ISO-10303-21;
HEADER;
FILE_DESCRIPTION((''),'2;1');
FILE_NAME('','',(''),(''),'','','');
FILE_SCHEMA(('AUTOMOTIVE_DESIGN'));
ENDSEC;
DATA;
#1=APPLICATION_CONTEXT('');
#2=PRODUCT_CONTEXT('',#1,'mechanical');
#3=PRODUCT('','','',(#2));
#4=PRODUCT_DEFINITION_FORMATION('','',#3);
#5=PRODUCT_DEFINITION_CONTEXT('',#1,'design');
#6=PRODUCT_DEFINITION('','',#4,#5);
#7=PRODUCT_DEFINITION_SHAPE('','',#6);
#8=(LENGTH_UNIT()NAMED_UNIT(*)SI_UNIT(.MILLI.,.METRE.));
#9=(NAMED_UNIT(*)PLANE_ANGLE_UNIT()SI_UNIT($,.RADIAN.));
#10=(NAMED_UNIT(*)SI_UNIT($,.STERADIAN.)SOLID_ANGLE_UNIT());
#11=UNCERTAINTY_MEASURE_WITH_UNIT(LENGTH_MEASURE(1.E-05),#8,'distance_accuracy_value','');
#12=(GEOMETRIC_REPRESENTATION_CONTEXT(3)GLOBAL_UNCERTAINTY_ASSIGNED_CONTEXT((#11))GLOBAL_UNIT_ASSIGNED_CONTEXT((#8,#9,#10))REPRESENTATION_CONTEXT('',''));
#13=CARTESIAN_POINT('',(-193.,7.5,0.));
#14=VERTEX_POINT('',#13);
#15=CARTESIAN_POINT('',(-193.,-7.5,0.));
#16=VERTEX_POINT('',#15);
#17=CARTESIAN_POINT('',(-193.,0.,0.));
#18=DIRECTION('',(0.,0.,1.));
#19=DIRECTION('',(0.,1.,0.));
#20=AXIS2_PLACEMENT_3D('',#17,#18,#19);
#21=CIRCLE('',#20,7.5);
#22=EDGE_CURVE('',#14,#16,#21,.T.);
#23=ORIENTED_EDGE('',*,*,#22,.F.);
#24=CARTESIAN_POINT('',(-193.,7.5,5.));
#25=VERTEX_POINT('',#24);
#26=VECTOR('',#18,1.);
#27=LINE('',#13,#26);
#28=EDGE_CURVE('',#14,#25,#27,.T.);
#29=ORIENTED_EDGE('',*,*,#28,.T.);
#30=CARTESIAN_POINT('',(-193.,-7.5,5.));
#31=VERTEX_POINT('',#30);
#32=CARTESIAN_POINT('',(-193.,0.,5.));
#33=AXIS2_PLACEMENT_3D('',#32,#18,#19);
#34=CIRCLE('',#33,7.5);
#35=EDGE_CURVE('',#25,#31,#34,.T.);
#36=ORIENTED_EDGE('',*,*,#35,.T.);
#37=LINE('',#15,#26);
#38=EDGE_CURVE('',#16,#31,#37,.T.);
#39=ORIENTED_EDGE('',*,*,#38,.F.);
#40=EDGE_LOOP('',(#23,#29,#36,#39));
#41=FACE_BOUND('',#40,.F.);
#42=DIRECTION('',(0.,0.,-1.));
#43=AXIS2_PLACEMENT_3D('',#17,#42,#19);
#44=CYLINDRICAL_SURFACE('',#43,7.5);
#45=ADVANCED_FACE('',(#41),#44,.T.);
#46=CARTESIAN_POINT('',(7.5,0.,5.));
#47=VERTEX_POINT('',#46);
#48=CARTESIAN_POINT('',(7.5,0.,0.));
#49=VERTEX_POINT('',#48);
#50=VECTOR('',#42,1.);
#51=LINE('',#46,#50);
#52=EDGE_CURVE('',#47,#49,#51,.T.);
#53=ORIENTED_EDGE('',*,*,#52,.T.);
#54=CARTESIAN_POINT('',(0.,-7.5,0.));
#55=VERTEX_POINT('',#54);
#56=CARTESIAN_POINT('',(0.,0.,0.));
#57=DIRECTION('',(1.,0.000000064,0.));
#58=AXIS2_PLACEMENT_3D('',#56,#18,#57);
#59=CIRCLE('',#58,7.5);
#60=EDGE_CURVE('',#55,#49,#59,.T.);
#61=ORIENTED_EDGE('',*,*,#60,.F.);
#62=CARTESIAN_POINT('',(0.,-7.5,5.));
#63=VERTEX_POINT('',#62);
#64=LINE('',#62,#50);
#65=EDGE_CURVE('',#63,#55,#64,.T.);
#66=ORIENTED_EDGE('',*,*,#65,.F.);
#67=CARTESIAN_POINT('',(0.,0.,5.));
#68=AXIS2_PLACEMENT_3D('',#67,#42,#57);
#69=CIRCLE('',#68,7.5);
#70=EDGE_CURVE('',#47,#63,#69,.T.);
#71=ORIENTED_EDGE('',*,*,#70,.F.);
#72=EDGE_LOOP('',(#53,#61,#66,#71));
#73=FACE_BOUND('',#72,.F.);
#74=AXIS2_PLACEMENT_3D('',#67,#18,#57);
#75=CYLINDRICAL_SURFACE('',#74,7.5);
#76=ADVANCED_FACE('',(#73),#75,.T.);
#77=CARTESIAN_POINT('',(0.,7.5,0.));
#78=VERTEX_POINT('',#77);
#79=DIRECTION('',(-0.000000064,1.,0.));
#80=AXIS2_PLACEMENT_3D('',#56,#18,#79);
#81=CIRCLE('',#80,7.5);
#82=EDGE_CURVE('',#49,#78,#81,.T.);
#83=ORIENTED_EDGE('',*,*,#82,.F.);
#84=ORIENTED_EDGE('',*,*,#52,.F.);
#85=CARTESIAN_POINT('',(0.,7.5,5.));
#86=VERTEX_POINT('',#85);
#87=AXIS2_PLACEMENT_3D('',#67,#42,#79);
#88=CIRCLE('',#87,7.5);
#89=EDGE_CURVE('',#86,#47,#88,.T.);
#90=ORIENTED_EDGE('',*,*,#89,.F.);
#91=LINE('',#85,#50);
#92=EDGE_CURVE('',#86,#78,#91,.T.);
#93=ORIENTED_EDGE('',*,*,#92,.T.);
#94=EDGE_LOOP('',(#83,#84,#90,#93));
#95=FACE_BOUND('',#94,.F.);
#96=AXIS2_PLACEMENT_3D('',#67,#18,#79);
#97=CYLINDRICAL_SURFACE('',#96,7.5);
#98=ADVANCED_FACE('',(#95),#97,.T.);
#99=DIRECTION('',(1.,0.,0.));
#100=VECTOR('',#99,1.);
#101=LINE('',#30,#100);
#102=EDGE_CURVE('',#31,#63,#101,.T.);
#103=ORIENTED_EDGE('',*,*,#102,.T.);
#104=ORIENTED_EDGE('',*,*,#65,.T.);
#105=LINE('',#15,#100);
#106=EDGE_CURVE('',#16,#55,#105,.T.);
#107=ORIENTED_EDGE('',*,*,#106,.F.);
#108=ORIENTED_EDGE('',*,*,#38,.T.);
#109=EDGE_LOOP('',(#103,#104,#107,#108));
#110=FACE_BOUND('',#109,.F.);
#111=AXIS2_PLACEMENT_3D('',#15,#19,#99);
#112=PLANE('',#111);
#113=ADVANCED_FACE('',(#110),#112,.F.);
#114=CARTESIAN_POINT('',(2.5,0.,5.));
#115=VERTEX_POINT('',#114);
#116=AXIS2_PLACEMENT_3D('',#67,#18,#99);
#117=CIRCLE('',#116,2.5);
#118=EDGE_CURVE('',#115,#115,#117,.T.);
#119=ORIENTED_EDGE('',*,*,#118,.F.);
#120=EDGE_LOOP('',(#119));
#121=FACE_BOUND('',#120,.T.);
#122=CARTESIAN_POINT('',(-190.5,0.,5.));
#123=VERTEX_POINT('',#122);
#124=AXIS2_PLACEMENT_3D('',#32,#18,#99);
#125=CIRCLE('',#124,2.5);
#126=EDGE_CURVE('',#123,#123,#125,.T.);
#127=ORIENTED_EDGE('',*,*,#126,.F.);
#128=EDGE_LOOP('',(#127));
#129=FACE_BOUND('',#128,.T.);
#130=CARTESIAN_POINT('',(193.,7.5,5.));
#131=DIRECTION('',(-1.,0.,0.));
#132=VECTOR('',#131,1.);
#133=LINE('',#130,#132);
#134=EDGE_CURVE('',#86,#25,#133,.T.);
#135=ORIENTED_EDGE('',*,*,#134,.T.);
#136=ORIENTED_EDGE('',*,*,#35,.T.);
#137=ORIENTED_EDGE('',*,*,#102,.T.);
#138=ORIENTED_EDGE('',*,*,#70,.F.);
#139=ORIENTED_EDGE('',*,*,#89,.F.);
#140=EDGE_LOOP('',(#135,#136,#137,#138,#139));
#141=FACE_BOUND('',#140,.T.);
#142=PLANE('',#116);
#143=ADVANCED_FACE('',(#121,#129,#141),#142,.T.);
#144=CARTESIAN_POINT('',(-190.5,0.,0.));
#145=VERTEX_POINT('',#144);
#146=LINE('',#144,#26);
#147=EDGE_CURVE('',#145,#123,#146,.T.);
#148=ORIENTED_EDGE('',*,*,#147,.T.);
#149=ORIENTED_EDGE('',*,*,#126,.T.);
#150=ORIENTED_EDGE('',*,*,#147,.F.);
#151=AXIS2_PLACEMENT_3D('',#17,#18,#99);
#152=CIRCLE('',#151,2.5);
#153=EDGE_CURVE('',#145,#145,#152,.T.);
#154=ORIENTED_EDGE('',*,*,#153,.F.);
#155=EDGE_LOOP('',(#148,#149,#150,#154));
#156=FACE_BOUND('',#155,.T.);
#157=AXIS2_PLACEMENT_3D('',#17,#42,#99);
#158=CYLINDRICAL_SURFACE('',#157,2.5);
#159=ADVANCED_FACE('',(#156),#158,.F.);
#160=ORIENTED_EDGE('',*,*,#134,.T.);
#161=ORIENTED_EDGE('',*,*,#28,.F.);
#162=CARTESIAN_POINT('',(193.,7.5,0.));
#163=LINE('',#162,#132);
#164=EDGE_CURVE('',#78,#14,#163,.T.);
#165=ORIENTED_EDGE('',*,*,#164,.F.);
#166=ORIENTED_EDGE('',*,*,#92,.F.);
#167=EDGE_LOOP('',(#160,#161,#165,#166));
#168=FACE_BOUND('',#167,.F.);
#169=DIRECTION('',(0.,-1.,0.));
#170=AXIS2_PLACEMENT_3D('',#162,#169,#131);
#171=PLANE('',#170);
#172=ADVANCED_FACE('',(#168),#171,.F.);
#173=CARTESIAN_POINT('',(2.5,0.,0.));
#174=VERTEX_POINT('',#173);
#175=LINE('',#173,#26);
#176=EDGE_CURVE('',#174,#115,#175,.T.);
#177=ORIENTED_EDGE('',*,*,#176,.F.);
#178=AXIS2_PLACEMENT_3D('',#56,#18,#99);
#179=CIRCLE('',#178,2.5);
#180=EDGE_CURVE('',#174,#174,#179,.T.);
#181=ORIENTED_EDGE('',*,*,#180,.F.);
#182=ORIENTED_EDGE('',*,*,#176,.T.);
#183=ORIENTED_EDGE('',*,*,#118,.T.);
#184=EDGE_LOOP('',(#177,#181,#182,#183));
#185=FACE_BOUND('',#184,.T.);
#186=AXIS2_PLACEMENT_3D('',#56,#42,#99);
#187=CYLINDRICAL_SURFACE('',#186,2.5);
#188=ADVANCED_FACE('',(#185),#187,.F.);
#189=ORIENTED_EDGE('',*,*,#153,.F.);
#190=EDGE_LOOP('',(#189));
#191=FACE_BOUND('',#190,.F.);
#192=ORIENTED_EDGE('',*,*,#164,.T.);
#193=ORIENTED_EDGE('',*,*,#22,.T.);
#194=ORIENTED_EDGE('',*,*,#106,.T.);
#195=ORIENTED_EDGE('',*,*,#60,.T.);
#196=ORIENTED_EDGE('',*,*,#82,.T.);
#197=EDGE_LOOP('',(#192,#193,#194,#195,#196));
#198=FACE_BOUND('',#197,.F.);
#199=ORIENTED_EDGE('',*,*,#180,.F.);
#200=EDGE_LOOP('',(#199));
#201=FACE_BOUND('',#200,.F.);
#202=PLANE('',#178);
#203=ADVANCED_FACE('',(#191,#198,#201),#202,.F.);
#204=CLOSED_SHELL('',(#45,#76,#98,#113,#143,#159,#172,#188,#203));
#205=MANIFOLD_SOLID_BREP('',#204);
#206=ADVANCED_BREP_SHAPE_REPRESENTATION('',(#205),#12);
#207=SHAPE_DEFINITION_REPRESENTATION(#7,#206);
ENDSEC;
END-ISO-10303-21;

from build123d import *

# Parameters (mm, degrees)
F0_R     = 2.5
F1_DEPTH = 5
F2_R     = 2.5
F3_DEPTH = 25


with BuildPart() as f1:
    # F0 (on Top) → F1 (new body)
    with BuildSketch(Plane.XY):
        with BuildLine():
            ThreePointArc((193, -7.5), (200.5, 0), (193, 7.5))
            Line((193, 7.5), (-193, 7.5))
            ThreePointArc((-193, 7.5), (-200.5, 0), (-193, -7.5))
            Line((-193, -7.5), (193, -7.5))
        make_face()
        with Locations((-193, 0)):
            Circle(F0_R, mode=Mode.SUBTRACT)
        Circle(F0_R, mode=Mode.SUBTRACT)
        with Locations((193, 0)):
            Circle(F0_R, mode=Mode.SUBTRACT)
    extrude(amount=F1_DEPTH)

    # F2 (on face) → F3 (cut)
    with BuildSketch(Plane.XY.offset(5)):
        Circle(F2_R)
        with BuildLine():
            ThreePointArc((0, 7.5), (5.303301, 5.303301), (7.5, 0))
            ThreePointArc((7.5, 0), (5.303301, -5.303301), (0, -7.5))
            Line((0, -7.5), (193, -7.5))
            ThreePointArc((193, -7.5), (200.5, 0), (193, 7.5))
            Line((193, 7.5), (0, 7.5))
        make_face()
        with Locations((193, 0)):
            Circle(F2_R, mode=Mode.SUBTRACT)
    extrude(amount=-F3_DEPTH, mode=Mode.SUBTRACT)


solid = f1.part
